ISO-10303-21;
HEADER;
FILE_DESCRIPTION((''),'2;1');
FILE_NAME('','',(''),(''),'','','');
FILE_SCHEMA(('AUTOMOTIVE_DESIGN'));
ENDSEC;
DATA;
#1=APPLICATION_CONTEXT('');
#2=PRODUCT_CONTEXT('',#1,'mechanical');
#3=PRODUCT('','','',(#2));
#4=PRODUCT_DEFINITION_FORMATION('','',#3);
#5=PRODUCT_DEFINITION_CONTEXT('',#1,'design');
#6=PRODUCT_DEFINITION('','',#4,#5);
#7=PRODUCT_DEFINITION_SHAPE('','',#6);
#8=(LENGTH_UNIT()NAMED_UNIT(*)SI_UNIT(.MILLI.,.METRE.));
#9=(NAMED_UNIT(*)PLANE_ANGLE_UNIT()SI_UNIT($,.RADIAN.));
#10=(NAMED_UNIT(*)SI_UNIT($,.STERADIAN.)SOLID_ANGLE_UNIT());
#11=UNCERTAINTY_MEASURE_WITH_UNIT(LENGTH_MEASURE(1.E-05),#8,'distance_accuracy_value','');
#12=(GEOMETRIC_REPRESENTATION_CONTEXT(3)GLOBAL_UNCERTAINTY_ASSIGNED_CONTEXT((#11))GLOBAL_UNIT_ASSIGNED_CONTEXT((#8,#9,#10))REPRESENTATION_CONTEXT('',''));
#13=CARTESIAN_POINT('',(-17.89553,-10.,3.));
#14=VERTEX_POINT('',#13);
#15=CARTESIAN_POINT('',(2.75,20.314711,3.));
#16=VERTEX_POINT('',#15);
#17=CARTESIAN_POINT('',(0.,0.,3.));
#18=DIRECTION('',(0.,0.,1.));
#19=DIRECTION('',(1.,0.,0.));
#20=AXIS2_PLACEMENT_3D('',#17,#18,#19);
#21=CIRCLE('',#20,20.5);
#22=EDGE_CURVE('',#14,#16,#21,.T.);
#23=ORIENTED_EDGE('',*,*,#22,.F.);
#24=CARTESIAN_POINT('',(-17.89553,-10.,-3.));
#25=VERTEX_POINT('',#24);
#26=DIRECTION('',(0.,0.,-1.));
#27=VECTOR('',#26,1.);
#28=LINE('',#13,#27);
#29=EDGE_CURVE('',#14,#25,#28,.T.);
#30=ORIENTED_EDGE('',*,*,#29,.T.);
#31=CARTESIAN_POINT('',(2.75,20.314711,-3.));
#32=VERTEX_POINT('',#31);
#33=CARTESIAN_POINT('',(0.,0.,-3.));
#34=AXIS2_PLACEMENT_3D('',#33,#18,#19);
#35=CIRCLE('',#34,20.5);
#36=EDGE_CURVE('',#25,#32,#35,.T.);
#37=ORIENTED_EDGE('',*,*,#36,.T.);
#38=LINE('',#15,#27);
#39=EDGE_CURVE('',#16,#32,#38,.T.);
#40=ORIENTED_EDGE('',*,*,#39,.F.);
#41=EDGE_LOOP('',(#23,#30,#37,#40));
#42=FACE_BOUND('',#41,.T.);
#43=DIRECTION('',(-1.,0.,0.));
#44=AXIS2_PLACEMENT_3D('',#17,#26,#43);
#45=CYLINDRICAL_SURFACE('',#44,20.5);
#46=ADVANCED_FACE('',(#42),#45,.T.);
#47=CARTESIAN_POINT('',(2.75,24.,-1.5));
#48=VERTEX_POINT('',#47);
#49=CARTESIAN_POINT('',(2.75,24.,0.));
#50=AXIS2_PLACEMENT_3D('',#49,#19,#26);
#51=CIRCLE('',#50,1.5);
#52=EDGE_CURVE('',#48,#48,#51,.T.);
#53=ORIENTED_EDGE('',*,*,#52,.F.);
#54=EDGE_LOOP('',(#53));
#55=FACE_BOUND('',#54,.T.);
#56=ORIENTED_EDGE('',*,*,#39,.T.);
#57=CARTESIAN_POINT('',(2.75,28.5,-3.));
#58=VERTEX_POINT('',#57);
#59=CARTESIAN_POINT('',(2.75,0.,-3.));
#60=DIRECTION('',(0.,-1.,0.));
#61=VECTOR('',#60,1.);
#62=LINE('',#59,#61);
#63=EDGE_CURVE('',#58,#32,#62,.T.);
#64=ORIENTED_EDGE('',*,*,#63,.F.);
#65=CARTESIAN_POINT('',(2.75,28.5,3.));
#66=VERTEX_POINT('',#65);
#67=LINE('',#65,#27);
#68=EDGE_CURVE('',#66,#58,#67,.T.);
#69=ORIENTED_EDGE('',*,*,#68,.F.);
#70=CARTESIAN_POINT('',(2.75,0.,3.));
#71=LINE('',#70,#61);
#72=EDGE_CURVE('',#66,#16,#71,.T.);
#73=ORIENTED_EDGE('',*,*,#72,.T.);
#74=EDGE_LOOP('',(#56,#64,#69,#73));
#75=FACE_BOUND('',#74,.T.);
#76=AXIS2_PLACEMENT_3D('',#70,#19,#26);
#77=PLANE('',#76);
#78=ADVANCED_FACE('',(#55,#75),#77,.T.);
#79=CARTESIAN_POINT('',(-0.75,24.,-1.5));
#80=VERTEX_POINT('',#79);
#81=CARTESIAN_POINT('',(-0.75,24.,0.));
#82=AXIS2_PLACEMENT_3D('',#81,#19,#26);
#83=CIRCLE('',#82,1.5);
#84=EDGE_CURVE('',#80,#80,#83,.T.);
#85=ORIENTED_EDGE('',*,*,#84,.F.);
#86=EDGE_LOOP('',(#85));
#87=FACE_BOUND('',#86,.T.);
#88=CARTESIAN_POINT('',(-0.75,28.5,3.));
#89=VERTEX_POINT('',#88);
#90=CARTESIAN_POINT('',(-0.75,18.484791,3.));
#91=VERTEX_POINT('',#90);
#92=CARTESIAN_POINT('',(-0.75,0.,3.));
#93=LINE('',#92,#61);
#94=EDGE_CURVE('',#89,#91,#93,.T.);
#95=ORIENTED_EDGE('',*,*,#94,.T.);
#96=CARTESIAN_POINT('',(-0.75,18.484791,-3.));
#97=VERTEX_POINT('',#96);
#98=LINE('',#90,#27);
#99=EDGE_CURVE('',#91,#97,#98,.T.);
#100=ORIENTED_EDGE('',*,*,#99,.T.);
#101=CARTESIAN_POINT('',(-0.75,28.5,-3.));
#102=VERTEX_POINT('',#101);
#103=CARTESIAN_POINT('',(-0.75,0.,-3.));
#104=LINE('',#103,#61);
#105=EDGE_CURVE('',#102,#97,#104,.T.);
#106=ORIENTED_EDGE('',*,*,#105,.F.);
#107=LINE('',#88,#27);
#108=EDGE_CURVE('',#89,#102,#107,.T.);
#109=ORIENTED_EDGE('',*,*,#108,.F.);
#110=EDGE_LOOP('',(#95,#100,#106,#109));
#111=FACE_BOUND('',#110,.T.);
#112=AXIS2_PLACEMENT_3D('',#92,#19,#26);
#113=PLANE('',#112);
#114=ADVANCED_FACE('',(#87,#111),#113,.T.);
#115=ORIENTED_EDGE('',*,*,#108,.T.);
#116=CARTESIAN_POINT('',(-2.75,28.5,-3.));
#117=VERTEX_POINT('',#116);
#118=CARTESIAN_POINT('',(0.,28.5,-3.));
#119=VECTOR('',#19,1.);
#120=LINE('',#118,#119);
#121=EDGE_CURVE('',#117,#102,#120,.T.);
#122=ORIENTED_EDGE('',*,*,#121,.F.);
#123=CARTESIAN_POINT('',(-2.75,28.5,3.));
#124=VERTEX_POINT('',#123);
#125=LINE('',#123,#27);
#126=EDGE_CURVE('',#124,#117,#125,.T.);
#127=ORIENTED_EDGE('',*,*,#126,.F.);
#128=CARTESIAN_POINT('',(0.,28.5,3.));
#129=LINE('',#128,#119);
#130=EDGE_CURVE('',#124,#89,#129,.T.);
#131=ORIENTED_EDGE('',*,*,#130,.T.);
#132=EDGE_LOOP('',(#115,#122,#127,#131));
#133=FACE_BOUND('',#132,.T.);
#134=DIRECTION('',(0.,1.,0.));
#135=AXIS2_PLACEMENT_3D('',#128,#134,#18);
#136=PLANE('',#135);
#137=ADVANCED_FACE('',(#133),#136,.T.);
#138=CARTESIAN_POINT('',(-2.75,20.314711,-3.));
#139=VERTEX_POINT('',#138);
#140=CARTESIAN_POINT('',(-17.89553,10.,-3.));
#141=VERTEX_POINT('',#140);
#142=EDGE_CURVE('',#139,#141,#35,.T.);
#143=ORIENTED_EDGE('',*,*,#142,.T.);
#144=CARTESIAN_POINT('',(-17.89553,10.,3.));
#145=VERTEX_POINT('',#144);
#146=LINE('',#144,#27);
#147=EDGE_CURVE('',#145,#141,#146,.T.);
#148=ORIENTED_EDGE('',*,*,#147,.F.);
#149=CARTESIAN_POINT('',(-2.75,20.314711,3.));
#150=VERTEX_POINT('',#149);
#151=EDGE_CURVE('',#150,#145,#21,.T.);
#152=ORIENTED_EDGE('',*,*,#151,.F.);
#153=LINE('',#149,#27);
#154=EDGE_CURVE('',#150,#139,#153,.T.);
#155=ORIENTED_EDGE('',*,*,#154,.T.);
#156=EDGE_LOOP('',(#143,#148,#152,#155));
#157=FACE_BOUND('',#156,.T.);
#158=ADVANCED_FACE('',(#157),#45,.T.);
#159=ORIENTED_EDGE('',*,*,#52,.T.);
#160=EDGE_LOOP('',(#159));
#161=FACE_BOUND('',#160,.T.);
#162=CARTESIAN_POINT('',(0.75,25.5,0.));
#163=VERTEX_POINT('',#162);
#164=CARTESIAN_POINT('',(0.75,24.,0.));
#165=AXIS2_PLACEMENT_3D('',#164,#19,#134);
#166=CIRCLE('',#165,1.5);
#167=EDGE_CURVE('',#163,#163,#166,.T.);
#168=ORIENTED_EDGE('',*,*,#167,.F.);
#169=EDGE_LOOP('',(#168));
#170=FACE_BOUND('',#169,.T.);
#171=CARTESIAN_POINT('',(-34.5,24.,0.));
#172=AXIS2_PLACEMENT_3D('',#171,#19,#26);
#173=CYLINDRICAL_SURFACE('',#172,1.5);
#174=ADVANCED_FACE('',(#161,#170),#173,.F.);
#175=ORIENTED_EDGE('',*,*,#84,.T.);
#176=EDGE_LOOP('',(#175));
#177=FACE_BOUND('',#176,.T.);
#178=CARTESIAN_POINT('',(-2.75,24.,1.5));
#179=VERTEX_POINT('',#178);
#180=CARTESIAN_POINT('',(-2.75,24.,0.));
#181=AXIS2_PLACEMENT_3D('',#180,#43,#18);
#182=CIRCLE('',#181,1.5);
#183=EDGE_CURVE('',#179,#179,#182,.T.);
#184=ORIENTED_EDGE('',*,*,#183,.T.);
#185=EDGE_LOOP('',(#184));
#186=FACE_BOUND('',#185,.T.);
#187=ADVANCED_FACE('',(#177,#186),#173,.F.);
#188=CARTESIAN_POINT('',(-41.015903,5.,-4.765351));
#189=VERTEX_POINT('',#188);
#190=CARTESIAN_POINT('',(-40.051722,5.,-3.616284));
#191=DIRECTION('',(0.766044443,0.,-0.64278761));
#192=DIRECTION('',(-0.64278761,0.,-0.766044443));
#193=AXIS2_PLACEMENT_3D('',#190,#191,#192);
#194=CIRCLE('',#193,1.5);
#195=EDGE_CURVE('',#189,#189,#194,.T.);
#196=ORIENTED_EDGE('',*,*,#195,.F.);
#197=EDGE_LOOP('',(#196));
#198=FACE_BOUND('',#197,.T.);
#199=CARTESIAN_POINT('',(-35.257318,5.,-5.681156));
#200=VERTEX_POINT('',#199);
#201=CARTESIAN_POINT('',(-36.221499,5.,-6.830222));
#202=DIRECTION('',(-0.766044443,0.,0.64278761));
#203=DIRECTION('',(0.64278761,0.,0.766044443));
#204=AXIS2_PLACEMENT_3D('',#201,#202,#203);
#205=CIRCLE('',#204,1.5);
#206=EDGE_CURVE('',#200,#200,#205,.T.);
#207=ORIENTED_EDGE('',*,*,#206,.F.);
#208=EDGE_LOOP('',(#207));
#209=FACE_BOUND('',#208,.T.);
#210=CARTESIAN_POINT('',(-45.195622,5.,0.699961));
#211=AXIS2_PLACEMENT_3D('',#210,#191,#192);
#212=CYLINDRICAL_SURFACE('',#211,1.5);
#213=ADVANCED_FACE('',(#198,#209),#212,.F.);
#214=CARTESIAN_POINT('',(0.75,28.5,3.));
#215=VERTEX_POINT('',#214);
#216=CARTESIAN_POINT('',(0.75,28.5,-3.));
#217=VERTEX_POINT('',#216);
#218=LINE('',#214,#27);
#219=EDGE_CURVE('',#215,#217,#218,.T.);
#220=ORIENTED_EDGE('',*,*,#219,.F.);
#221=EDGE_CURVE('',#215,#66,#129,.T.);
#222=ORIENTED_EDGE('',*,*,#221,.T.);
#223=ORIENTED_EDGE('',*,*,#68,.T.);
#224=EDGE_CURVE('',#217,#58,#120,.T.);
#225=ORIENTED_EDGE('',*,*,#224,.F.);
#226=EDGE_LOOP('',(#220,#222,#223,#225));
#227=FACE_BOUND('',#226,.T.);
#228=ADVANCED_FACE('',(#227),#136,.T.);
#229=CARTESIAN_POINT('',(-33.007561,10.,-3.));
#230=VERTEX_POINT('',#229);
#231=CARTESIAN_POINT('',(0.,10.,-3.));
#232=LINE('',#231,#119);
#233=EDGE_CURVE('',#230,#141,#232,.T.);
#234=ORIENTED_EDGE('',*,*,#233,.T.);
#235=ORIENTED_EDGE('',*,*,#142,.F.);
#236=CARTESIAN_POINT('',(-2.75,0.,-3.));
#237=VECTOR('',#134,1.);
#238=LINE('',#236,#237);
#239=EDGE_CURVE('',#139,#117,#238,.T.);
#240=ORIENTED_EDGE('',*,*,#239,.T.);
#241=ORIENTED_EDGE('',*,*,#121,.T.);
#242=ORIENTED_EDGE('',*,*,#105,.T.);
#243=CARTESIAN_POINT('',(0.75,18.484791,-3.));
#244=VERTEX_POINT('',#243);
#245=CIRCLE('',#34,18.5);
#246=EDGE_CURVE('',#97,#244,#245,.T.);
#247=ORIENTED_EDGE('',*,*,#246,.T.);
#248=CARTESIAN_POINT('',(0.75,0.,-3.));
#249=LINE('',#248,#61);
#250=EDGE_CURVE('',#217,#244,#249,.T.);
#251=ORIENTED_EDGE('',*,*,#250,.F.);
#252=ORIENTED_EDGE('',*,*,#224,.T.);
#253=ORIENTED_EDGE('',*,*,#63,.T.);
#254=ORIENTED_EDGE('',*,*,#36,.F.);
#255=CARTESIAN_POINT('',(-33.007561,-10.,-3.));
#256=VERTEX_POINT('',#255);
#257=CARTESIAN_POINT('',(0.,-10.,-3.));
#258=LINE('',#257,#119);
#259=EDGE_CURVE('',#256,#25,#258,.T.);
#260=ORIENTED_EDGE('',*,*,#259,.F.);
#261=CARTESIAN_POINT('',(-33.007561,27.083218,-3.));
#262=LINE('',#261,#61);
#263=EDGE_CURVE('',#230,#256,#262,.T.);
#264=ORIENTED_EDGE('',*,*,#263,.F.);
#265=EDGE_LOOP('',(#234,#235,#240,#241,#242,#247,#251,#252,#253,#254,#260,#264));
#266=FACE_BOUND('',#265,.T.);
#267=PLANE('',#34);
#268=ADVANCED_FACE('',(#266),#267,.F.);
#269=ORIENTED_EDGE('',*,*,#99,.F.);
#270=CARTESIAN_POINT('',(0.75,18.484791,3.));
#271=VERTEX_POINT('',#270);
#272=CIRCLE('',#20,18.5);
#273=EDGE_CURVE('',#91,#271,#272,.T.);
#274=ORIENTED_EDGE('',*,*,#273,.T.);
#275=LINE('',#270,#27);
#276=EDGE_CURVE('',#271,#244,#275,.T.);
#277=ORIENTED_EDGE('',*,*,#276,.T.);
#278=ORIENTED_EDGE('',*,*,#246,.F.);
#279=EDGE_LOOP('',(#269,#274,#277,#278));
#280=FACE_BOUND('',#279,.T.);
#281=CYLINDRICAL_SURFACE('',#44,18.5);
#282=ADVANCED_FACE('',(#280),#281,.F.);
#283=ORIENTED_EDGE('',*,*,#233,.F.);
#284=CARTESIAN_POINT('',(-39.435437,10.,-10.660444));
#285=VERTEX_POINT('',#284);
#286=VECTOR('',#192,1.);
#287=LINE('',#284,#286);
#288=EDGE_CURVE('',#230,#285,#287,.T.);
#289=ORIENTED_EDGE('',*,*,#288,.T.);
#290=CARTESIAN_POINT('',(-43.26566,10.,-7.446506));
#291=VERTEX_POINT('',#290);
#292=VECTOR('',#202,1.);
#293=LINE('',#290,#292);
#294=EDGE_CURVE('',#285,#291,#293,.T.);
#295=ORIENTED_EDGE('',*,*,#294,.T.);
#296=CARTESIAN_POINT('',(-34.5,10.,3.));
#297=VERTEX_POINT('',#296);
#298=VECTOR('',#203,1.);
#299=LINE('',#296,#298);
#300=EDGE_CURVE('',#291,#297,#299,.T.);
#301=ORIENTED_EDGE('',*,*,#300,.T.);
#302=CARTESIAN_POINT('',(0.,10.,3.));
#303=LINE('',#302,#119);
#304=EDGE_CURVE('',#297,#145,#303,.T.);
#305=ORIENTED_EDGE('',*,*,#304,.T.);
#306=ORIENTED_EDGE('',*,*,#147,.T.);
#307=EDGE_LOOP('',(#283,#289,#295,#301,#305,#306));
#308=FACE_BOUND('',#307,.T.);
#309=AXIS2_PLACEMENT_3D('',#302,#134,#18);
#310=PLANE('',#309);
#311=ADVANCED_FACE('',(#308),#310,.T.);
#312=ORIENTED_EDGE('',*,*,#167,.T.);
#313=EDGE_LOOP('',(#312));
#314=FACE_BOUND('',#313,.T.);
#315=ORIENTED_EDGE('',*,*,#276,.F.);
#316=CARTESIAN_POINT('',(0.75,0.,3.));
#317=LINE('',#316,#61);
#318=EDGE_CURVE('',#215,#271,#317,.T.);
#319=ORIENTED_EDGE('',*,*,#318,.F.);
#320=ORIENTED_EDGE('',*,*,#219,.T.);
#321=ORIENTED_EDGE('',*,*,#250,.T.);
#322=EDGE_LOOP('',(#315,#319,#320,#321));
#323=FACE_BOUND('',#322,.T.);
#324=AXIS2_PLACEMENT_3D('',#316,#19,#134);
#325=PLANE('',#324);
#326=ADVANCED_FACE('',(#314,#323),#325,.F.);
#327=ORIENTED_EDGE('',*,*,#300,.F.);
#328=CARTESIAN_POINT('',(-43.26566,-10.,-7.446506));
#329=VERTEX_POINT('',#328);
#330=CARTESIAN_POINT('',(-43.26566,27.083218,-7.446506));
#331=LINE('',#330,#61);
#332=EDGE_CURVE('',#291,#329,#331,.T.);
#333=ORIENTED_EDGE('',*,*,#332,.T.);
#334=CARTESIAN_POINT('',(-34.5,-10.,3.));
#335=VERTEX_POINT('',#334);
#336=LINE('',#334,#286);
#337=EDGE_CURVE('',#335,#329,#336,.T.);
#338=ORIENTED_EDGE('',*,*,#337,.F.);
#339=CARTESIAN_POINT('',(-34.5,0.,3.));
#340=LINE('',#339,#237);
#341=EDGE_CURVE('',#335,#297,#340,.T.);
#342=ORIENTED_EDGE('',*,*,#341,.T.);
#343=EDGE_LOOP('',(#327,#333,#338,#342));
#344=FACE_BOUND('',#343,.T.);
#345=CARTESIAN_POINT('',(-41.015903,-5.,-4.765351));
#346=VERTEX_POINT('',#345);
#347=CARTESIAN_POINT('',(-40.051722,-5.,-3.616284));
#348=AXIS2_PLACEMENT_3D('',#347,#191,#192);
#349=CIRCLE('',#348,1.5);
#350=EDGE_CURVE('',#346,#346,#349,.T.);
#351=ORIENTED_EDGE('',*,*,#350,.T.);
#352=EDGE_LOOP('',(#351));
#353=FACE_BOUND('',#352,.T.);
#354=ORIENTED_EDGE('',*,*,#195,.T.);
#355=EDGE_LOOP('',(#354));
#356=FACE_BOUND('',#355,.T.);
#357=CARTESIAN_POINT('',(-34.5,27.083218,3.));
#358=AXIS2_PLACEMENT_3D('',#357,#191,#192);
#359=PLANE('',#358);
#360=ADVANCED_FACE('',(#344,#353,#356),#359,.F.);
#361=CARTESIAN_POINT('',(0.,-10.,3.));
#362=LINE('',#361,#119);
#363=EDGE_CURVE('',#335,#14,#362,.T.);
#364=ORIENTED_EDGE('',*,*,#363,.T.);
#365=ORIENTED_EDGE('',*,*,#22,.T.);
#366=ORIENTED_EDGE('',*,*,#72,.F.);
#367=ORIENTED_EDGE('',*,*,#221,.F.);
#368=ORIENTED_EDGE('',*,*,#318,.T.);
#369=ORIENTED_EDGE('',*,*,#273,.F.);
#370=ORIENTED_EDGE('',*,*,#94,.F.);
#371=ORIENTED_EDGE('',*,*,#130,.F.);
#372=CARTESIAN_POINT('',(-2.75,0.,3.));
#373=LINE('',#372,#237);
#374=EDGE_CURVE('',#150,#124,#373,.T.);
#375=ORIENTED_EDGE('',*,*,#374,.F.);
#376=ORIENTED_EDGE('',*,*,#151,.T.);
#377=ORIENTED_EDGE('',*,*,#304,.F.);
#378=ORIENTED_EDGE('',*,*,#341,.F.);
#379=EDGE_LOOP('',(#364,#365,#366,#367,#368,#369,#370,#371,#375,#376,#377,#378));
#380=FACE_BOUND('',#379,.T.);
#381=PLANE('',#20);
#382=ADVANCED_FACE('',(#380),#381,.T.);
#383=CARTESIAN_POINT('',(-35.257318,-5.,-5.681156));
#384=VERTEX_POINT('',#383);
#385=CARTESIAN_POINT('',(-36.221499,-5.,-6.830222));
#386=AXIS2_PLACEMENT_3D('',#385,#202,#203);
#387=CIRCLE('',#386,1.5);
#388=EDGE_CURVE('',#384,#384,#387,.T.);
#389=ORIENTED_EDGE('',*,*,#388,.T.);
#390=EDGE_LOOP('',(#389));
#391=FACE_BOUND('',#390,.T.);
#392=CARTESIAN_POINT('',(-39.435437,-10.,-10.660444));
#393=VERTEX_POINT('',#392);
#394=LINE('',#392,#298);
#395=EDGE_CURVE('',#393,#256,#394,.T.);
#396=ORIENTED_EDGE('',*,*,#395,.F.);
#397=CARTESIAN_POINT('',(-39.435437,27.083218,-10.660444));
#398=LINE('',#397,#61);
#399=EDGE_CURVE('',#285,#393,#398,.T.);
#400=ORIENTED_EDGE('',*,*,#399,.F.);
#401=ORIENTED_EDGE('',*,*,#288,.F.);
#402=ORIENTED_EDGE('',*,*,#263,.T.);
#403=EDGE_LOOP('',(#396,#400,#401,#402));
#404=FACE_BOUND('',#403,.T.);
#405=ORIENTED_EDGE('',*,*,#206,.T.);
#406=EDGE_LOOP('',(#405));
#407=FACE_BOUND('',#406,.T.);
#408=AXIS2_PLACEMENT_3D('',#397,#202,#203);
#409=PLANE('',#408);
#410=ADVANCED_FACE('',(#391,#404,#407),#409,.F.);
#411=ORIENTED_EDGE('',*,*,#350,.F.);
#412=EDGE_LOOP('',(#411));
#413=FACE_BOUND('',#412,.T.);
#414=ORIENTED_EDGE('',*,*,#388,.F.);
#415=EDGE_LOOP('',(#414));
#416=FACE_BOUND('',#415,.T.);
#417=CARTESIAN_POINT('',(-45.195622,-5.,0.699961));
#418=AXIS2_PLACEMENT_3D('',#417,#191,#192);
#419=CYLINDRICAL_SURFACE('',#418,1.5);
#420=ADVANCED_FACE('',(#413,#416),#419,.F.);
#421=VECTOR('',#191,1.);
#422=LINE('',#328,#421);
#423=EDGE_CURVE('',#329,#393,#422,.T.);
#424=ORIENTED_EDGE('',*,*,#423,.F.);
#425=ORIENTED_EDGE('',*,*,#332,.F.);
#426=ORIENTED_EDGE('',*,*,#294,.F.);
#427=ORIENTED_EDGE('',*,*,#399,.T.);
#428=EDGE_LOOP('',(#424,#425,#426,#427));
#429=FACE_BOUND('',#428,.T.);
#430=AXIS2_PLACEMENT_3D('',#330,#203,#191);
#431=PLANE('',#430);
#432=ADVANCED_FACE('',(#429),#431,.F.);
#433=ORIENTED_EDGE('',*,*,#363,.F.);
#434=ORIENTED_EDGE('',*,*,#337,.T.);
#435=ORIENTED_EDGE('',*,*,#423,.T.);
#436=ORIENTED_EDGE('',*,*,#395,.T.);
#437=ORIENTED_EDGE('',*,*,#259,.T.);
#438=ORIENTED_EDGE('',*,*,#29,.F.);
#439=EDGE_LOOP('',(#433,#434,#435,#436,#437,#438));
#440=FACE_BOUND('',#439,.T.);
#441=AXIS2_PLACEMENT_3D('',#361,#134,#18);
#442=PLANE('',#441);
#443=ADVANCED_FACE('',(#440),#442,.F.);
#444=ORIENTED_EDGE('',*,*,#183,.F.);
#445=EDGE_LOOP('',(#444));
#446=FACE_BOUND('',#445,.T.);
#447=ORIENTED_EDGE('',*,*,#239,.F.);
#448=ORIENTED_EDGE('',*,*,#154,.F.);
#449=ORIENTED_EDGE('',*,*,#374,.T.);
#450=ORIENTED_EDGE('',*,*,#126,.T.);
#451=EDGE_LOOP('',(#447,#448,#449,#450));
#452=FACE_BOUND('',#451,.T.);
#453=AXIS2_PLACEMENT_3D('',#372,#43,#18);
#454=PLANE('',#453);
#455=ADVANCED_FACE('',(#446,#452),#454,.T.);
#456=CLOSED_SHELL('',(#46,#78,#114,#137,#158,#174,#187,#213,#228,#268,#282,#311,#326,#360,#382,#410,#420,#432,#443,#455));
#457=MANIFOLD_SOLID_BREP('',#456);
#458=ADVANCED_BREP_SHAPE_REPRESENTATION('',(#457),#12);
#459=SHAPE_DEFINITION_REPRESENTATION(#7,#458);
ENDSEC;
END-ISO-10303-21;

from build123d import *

# Parameters (mm, degrees)
BOSS_EXTRUDE1_DEPTH             = 3
SKETCH2_R                       = 1.5
CUT_EXTRUDE1_DEPTH              = 21.5
CUT_EXTRUDE1_DEPTH_BACK         = 35.5
BOSS_EXTRUDE2_REACH             = 30.5
BOSS_EXTRUDE2_DIRECTION_2_REACH = 22.5
SKETCH4_R                       = 1.5
CUT_EXTRUDE2_DEPTH              = 46.913208795
CUT_EXTRUDE2_DEPTH_BACK         = 12.714884867


with BuildPart() as part:
    # Sketch1 → Boss-Extrude1 (new body, symmetric)
    with BuildSketch(Plane.XY):
        with BuildLine():
            ThreePointArc((20.5, 0), (15.437373481, 13.48842096), (2.75, 20.314711418))
            Line((2.75, 20.314711418), (2.75, 18.294466376))
            ThreePointArc((2.75, 18.294466376), (14.020074893, 12.070107705), (18.5, 0))
            ThreePointArc((18.5, 0), (-12.070107705, -14.020074893), (-2.75, 18.294466376))
            Line((-2.75, 18.294466376), (-2.75, 20.314711418))
            ThreePointArc((-2.75, 20.314711418), (-11.53940193, 16.943795416), (-17.895530168, 10))
            ThreePointArc((-17.895530168, 10), (-20.5, 0), (-17.895530168, -10))
            ThreePointArc((-17.895530168, -10), (5.166799374, -19.838200126), (20.5, 0))
        make_face()
        with BuildLine():
            ThreePointArc((2.75, 20.314711418), (1.752101194, 20.424988162), (0.75, 20.486275894))
            Line((0.75, 20.486275894), (0.75, 18.484791046))
            ThreePointArc((0.75, 18.484791046), (1.752585481, 18.416797879), (2.75, 18.294466376))
            Line((2.75, 18.294466376), (2.75, 20.314711418))
        make_face()
        with BuildLine():
            Line((-0.75, 18.484791046), (-0.75, 20.486275894))
            ThreePointArc((-0.75, 20.486275894), (-1.752101194, 20.424988162), (-2.75, 20.314711418))
            Line((-2.75, 20.314711418), (-2.75, 18.294466376))
            ThreePointArc((-2.75, 18.294466376), (-1.752585481, 18.416797879), (-0.75, 18.484791046))
        make_face()
        with BuildLine():
            ThreePointArc((-2.75, 20.314711418), (-1.752101194, 20.424988162), (-0.75, 20.486275894))
            Line((-0.75, 20.486275894), (-0.75, 28.5))
            Line((-0.75, 28.5), (-2.75, 28.5))
            Line((-2.75, 28.5), (-2.75, 25.5))
            Line((-2.75, 25.5), (-2.75, 22.5))
            Line((-2.75, 22.5), (-2.75, 20.314711418))
        make_face()
        with BuildLine():
            Line((2.75, 25.5), (2.75, 28.5))
            Line((2.75, 28.5), (0.75, 28.5))
            Line((0.75, 28.5), (0.75, 20.486275894))
            ThreePointArc((0.75, 20.486275894), (1.752101194, 20.424988162), (2.75, 20.314711418))
            Line((2.75, 20.314711418), (2.75, 22.5))
            Line((2.75, 22.5), (2.75, 25.5))
        make_face()
        with BuildLine():
            Line((-20.5, -10), (-17.895530168, -10))
            ThreePointArc((-17.895530168, -10), (-20.5, 0), (-17.895530168, 10))
            Line((-17.895530168, 10), (-20.5, 10))
            Line((-20.5, 10), (-34.5, 10))
            Line((-34.5, 10), (-34.5, -10))
            Line((-34.5, -10), (-20.5, -10))
        make_face()
    extrude(amount=BOSS_EXTRUDE1_DEPTH, both=True)

    # Sketch2 → Cut-Extrude1 (cut, two sides)
    with BuildSketch(Plane(origin=(0, 0, 0), x_dir=(0, 0, -1), z_dir=(1, 0, 0))) as cut_extrude1_sk:
        with Locations((0, 24)):
            Circle(SKETCH2_R)
    extrude(amount=CUT_EXTRUDE1_DEPTH, mode=Mode.SUBTRACT)
    extrude(cut_extrude1_sk.sketch, amount=-CUT_EXTRUDE1_DEPTH_BACK, mode=Mode.SUBTRACT)

    # Boss-Extrude2: up to this face of the body (flat: up to its plane)
    boss_extrude2_end = Plane(part.part.faces().sort_by_distance((-26.197765084, 10, 0))[0])
    # Sketch3 → Boss-Extrude2 (add, up to the picked face)
    with BuildSketch(Plane(origin=(0, 0, 0), x_dir=(1, 0, 0), z_dir=(0, 1, 0)), mode=Mode.PRIVATE) as boss_extrude2_sk1:
        Polygon((-34.5, -3), (-43.265659653, 7.446506383), (-39.435437437, 10.660444431), (-33.00756134, 3), align=None)
    boss_extrude2_tool1 = split(extrude(boss_extrude2_sk1.sketch, amount=BOSS_EXTRUDE2_REACH, mode=Mode.PRIVATE), bisect_by=boss_extrude2_end, keep=Keep.BOTH, mode=Mode.PRIVATE)
    add(boss_extrude2_tool1.solids().sort_by_distance((-37.620413, 0, -4.408594))[0])

    # Boss-Extrude2 direction 2: up to this face of the body (flat: up to its plane)
    boss_extrude2_direction_2_end = Plane(part.part.faces().sort_by_distance((-26.197765084, -10, 0))[0])
    # Sketch3 → Boss-Extrude2 direction 2 (add, up to the picked face)
    with BuildSketch(Plane(origin=(0, 0, 0), x_dir=(1, 0, 0), z_dir=(0, 1, 0)), mode=Mode.PRIVATE) as boss_extrude2_direction_2_sk1:
        Polygon((-34.5, -3), (-43.265659653, 7.446506383), (-39.435437437, 10.660444431), (-33.00756134, 3), align=None)
    boss_extrude2_direction_2_tool1 = split(extrude(boss_extrude2_direction_2_sk1.sketch, amount=-BOSS_EXTRUDE2_DIRECTION_2_REACH, mode=Mode.PRIVATE), bisect_by=boss_extrude2_direction_2_end, keep=Keep.BOTH, mode=Mode.PRIVATE)
    add(boss_extrude2_direction_2_tool1.solids().sort_by_distance((-37.620413, 0, -4.408594))[0])

    # Sketch4 → Cut-Extrude2 (cut, two sides)
    with BuildSketch(Plane(origin=(-17.892420479, 0, 15.013523425), x_dir=(-0.64278761, 0, -0.766044443), z_dir=(0.766044443, 0, -0.64278761))) as cut_extrude2_sk:
        with Locations((28.514984785, 5)):
            Circle(SKETCH4_R)
        with Locations((28.514984785, -5)):
            Circle(SKETCH4_R)
    extrude(amount=CUT_EXTRUDE2_DEPTH, mode=Mode.SUBTRACT)
    extrude(cut_extrude2_sk.sketch, amount=-CUT_EXTRUDE2_DEPTH_BACK, mode=Mode.SUBTRACT)


solid = part.part
